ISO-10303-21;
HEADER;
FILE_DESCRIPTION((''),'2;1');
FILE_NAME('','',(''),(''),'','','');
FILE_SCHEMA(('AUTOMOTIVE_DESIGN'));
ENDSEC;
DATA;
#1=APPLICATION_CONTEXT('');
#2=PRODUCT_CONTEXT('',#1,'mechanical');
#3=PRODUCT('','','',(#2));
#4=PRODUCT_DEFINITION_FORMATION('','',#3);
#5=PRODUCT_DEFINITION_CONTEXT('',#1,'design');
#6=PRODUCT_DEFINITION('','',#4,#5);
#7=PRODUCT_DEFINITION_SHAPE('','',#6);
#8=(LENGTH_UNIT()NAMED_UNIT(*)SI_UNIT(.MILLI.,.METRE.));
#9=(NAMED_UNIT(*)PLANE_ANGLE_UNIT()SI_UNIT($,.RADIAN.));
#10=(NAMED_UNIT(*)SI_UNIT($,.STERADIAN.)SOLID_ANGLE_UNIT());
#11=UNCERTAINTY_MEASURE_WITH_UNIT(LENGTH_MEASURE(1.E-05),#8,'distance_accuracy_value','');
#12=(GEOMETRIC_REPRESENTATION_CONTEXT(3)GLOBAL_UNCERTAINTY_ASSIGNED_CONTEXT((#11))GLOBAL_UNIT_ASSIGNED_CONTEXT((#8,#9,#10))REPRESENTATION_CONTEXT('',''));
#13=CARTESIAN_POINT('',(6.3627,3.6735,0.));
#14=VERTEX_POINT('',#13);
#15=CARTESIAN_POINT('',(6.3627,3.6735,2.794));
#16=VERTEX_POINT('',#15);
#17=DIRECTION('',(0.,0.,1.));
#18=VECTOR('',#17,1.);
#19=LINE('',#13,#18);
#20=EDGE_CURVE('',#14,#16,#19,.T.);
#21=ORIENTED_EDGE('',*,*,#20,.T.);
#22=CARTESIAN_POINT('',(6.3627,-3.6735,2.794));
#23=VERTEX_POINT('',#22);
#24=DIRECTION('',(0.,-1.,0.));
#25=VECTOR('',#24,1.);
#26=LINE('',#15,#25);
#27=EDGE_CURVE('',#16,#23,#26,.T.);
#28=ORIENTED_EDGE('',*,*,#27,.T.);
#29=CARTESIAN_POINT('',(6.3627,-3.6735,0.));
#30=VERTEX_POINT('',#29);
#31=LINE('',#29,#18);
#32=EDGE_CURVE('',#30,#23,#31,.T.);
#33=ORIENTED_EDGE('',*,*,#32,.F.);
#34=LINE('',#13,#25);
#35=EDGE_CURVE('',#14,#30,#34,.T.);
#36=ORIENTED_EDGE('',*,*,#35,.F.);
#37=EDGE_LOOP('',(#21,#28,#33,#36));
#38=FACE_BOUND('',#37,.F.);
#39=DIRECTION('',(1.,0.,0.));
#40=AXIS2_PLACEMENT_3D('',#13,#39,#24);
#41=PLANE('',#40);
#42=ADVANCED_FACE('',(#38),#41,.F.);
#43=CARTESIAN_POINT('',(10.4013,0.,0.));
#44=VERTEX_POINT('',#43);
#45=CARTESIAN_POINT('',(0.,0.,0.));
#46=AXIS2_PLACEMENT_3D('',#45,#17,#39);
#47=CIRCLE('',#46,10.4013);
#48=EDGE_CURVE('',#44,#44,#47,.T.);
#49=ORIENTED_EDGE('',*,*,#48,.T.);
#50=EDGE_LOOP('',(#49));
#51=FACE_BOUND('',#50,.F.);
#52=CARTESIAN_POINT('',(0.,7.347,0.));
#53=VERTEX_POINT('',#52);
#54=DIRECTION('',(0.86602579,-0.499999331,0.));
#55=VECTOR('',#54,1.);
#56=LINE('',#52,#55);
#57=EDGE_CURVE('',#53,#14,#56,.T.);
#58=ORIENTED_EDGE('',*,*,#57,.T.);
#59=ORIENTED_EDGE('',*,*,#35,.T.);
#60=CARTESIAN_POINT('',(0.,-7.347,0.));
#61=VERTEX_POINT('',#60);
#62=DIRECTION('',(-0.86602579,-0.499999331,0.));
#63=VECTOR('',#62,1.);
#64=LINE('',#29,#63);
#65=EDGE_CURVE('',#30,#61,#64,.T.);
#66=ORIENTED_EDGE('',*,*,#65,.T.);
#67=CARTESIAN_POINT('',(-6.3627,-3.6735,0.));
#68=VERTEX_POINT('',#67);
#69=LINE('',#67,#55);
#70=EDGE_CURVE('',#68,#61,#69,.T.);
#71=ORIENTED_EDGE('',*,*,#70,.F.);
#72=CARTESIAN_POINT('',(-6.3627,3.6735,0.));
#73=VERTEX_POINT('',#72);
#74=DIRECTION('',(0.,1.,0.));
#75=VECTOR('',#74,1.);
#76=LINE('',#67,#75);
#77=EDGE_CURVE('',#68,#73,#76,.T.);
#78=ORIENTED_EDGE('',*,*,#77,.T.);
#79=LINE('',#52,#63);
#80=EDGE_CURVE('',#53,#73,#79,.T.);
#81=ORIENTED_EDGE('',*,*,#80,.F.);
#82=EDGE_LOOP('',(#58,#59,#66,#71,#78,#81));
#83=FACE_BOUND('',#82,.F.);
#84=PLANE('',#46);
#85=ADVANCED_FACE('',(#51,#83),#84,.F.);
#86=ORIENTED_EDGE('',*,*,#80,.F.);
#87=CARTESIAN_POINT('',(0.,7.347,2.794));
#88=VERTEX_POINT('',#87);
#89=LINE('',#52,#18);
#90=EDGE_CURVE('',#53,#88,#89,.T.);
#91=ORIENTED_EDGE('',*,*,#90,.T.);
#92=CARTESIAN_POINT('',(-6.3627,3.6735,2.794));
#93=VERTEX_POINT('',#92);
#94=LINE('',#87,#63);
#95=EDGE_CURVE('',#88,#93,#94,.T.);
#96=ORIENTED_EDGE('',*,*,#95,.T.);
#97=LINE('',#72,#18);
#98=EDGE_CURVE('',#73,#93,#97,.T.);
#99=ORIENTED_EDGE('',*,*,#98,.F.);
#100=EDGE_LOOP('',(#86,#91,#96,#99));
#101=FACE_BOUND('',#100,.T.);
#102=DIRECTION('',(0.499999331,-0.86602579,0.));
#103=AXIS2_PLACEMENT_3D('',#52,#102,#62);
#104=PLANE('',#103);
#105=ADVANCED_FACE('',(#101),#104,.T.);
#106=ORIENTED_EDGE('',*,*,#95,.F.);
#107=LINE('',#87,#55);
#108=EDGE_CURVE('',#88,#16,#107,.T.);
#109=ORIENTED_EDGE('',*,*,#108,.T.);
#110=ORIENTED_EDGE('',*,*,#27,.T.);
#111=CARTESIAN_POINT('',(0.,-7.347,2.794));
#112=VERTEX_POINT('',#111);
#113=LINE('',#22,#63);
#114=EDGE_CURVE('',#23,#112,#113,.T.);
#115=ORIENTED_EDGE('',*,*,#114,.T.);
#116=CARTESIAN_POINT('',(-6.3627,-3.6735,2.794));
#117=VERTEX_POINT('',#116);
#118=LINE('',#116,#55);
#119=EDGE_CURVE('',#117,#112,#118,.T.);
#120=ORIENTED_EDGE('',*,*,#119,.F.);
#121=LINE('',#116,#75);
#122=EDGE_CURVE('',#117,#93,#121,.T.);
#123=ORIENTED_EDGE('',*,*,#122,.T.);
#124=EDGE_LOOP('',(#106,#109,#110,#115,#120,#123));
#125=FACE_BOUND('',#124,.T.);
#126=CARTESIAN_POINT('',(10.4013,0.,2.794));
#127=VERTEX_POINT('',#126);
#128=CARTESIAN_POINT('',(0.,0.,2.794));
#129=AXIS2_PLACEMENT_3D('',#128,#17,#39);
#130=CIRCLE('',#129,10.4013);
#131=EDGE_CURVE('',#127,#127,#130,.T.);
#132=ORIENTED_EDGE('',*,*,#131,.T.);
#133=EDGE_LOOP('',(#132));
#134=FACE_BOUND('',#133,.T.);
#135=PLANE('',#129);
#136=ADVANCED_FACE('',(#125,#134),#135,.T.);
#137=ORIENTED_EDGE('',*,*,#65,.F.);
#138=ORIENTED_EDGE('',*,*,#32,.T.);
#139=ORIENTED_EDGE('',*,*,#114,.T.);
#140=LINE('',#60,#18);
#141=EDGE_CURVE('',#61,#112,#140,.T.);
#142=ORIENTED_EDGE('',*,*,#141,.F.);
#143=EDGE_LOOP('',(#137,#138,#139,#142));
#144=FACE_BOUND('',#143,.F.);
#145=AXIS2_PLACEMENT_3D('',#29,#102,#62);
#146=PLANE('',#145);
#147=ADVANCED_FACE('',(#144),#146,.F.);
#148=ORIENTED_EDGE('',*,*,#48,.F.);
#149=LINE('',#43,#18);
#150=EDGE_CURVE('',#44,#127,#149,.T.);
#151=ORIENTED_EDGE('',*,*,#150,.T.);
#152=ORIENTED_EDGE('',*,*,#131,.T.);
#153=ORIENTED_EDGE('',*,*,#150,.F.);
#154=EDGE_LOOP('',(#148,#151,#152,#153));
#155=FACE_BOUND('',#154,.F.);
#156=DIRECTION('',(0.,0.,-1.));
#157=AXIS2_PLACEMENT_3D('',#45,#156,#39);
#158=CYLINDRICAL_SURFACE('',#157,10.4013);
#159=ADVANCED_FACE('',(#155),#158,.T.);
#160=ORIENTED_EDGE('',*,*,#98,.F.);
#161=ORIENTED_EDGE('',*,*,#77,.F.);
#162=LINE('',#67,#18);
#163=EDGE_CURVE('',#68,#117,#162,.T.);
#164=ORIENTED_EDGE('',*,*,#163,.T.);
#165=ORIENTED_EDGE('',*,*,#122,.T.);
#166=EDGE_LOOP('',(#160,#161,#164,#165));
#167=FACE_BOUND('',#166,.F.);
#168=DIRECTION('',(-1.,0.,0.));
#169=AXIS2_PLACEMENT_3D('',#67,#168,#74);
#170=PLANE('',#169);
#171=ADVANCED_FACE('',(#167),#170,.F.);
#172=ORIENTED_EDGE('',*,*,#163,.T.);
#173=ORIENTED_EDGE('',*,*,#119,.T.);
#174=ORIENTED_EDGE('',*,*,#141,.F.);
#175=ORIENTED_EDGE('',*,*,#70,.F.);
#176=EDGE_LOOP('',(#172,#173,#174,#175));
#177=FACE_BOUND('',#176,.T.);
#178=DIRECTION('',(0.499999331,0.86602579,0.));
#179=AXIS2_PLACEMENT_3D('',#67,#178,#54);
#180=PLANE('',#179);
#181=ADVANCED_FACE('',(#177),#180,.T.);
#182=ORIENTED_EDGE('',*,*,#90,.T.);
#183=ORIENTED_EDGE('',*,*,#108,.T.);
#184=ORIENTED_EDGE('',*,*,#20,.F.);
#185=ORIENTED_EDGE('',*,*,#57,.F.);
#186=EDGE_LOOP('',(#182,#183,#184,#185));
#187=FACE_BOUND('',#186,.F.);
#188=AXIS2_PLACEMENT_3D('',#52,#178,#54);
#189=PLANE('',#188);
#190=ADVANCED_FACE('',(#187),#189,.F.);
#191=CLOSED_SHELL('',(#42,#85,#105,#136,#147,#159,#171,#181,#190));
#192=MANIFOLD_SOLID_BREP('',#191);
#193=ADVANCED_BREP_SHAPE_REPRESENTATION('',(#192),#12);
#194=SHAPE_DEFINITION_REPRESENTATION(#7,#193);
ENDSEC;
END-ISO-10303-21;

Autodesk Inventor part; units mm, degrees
ref_plane "YZ Plane" through (0, 0, 0) normal (1, 0, 0) x (0, 1, 0)
ref_plane "XZ Plane" through (0, 0, 0) normal (0, 1, 0) x (-1, 0, 0)
ref_plane "XY Plane" through (0, 0, 0) normal (0, 0, 1) x (1, 0, 0)
sketch "Sketch1" plane through (0, 0, 0) normal (0, 0, 1) x (1, 0, 0)
  circle A0 centre (0, 0) radius 10.4013
  line L0 (0, 7.347) -> (6.3627, 3.6735)
  line L1 (6.3627, 3.6735) -> (6.3627, -3.6735)
  line L2 (6.3627, -3.6735) -> (0, -7.347)
  line L3 (-6.3627, -3.6735) -> (0, -7.347)
  line L4 (-6.3627, -3.6735) -> (-6.3627, 3.6735)
  line L5 (0, 7.347) -> (-6.3627, 3.6735)
  dimension "d0" = 20.8026
extrude "Extrusion1" add sketch "Sketch1" along normal blind 2.794
properties part number "2AM-17-P-7201 - sproket thing ig"
